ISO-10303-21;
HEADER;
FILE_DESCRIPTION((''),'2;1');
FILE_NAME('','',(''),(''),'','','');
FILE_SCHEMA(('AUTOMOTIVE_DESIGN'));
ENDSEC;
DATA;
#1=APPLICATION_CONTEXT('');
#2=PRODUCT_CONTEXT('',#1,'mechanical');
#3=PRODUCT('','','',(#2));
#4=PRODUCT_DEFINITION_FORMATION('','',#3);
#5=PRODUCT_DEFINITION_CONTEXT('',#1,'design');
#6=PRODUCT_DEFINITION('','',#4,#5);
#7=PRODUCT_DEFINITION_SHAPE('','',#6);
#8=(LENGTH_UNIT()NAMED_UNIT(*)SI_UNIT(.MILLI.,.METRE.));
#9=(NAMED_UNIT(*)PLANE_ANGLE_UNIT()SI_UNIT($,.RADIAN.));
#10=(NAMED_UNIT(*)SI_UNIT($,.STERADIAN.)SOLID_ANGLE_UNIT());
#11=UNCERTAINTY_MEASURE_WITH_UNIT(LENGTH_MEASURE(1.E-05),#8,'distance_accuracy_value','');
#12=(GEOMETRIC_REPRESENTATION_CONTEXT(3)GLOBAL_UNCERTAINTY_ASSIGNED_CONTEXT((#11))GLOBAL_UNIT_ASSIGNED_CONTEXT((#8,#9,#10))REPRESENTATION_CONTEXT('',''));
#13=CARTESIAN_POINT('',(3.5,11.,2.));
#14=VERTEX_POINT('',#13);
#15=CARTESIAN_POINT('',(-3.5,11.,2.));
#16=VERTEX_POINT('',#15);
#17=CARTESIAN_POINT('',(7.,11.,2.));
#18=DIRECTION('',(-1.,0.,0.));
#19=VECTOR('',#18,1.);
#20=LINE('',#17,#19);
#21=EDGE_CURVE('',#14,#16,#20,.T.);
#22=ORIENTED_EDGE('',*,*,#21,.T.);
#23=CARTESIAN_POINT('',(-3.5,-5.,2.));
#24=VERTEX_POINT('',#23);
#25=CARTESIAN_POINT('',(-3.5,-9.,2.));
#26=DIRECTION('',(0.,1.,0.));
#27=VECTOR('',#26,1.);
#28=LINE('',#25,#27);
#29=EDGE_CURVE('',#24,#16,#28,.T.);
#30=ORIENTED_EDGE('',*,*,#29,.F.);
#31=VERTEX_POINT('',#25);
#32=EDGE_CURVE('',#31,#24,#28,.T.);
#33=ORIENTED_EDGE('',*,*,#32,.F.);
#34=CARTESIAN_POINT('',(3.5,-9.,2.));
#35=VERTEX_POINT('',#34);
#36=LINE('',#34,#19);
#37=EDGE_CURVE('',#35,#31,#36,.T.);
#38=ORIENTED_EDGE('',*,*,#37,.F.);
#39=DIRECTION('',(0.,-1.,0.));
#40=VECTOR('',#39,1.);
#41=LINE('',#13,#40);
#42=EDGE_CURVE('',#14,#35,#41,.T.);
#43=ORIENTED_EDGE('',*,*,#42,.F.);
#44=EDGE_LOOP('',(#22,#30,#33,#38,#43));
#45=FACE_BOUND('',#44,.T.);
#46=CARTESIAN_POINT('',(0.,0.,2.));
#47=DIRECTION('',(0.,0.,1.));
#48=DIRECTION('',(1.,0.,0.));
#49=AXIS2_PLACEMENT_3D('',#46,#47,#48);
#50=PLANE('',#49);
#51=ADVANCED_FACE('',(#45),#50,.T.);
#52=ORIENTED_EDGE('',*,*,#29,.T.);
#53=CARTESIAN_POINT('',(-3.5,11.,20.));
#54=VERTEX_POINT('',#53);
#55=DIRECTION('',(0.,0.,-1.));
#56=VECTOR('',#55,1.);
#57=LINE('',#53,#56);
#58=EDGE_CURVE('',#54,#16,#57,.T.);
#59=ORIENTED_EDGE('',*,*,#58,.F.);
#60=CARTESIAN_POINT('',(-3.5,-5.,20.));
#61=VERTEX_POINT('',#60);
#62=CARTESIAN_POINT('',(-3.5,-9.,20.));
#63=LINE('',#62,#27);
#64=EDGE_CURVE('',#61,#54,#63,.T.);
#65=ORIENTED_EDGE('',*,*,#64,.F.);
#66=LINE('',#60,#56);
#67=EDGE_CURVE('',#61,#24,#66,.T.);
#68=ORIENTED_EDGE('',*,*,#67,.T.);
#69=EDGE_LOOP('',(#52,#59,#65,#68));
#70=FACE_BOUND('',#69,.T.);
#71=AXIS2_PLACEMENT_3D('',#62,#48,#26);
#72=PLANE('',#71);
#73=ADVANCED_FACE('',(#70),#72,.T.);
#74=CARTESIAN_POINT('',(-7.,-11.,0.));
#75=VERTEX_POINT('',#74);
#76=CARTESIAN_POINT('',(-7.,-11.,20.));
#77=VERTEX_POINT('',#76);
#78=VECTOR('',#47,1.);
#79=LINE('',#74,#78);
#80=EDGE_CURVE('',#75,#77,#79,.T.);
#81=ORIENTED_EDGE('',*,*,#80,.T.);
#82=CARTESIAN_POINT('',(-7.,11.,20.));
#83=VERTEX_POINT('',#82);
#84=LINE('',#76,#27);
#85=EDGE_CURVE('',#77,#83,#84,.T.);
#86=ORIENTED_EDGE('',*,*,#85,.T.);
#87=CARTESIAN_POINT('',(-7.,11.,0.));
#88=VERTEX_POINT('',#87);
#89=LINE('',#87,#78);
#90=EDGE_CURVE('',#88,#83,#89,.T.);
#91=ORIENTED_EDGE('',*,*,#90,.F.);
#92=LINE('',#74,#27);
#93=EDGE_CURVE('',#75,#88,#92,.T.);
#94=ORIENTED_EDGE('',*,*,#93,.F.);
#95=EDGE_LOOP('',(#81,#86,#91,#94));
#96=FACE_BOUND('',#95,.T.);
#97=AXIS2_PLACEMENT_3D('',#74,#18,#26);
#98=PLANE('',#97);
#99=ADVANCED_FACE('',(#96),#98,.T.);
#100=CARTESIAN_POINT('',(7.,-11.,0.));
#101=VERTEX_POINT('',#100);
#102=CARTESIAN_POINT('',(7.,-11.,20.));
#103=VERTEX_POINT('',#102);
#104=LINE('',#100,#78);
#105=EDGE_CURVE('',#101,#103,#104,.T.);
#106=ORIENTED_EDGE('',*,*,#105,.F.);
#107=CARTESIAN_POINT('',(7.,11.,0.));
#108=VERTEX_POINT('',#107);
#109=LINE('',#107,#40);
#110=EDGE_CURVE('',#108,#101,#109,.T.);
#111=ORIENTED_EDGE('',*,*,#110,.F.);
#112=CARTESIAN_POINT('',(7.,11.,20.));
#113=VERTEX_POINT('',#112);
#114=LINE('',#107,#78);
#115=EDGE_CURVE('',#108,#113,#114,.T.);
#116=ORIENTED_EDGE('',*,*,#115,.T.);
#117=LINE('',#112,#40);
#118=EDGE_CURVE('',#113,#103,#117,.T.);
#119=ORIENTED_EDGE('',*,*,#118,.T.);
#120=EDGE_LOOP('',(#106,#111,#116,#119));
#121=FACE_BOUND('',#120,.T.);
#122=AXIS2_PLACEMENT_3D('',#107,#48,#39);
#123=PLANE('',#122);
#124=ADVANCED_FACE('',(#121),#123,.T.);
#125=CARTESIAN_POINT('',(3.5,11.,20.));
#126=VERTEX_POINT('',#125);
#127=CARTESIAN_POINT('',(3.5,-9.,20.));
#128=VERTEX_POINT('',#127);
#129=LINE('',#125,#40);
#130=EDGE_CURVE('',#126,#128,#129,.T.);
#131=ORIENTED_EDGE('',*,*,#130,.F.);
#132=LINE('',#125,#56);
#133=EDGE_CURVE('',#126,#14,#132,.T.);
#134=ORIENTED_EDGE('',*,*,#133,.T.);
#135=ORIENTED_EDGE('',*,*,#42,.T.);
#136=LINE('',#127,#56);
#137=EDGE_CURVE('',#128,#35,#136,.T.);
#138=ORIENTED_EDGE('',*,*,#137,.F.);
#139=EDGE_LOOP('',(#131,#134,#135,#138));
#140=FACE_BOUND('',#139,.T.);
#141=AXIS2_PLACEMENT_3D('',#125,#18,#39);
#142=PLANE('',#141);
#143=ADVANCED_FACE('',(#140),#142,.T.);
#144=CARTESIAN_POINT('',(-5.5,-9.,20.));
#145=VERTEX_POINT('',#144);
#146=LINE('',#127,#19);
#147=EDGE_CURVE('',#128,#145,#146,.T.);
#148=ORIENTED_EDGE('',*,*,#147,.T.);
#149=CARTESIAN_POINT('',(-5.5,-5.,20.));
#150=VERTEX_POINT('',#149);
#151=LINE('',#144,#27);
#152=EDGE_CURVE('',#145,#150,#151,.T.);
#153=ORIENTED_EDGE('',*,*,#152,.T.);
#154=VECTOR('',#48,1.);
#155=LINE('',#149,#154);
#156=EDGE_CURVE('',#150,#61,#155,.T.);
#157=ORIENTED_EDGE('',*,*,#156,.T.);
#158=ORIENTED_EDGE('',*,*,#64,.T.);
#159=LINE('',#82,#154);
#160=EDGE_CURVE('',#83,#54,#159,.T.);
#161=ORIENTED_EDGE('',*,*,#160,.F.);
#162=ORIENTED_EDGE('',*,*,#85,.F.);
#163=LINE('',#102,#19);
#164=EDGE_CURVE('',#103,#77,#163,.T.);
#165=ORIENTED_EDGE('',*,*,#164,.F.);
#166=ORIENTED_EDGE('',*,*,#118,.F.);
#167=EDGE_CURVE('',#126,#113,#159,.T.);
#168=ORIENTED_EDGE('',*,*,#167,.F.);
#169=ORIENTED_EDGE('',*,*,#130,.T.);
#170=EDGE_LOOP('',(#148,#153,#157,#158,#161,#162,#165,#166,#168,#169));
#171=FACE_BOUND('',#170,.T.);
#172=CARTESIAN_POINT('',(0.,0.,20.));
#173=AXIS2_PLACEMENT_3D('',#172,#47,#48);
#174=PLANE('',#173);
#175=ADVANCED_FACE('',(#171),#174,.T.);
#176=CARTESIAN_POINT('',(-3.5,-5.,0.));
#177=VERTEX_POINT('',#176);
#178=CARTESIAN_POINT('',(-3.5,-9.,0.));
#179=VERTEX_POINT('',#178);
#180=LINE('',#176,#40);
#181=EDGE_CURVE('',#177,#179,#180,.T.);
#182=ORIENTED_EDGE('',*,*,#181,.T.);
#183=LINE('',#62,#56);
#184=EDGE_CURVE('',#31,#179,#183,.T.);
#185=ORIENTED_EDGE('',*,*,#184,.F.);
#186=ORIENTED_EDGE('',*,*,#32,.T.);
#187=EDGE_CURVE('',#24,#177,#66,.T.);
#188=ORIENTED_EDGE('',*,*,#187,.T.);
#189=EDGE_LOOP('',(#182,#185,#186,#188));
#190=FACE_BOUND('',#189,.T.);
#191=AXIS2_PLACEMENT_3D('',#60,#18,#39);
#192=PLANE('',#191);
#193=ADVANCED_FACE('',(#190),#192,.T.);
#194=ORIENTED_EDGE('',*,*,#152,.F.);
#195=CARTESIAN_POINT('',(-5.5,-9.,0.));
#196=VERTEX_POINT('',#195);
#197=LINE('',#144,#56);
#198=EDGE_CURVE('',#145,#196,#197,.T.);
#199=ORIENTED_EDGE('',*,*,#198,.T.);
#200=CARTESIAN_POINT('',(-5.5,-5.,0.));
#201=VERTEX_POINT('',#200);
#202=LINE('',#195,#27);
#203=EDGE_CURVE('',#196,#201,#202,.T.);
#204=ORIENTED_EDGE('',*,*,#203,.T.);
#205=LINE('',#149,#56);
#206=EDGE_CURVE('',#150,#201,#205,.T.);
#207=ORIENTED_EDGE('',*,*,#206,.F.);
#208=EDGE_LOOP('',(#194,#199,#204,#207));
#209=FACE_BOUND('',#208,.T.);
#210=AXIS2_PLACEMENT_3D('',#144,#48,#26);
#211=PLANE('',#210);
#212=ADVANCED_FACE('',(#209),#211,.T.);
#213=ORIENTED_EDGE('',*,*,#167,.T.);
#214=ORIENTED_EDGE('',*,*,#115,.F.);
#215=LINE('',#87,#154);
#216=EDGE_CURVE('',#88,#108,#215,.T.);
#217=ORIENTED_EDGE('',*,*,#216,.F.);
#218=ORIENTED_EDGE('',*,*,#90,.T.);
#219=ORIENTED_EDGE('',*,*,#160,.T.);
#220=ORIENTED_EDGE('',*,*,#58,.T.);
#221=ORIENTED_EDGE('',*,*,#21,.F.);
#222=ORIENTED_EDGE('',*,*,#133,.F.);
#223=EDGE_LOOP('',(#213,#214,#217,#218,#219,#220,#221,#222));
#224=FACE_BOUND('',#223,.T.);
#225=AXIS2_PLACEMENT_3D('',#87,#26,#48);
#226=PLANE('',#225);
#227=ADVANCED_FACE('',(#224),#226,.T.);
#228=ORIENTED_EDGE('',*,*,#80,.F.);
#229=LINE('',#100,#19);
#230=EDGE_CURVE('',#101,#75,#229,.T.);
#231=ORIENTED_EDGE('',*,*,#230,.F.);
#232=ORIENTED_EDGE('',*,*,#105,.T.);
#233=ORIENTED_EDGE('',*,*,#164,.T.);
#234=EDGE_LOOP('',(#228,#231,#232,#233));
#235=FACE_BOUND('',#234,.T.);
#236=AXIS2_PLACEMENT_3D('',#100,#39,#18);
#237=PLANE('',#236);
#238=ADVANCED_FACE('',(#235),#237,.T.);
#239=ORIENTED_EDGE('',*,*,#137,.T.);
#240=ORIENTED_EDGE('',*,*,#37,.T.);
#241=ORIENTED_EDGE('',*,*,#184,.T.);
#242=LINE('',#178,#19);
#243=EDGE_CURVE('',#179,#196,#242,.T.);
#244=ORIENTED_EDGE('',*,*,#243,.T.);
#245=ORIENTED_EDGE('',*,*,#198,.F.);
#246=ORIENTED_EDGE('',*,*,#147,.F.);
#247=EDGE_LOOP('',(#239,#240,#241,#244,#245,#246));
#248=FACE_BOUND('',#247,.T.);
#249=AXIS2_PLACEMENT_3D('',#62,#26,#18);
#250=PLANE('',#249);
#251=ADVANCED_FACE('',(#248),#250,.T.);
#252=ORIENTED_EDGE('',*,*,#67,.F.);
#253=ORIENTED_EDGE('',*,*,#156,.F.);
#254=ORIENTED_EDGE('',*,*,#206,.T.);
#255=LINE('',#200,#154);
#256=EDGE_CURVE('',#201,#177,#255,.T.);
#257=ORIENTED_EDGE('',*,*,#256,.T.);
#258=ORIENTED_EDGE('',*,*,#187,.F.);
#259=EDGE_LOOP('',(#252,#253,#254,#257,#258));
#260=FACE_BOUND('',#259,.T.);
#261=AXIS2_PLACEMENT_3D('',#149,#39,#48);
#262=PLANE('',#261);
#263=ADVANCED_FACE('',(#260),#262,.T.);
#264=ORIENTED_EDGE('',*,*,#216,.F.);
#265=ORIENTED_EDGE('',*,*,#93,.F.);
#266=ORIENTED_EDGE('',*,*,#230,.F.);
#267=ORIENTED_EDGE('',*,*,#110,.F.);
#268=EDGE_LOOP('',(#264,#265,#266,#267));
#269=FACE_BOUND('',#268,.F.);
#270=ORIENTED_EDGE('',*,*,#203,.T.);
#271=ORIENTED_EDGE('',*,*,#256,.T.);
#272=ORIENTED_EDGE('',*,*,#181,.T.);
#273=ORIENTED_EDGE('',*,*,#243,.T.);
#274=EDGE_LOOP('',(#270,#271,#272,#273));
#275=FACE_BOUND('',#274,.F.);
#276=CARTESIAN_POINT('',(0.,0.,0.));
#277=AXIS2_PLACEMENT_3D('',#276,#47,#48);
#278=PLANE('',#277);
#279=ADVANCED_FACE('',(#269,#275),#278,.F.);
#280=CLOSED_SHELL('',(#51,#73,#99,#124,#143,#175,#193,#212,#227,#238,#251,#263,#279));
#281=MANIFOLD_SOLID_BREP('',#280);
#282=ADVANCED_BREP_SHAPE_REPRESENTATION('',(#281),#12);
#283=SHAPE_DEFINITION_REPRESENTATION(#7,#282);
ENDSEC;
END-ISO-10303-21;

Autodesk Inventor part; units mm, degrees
ref_plane "YZ Plane" through (0, 0, 0) normal (1, 0, 0) x (0, 1, 0)
ref_plane "XZ Plane" through (0, 0, 0) normal (0, 1, 0) x (-1, 0, 0)
ref_plane "XY Plane" through (0, 0, 0) normal (0, 0, 1) x (1, 0, 0)
sketch "Эскиз1" plane through (0, 0, 0) normal (0, 0, 1) x (1, 0, 0)
  line L0 (7, -11) -> (-7, -11)
  line L1 (-7, -11) -> (-7, 11)
  line L2 (-7, 11) -> (7, 11)
  line L3 (7, 11) -> (7, -11)
  line L4 (7, -11) -> (-7, 11) construction
  line L5 (-7, -11) -> (7, 11) construction
  point P0 (0, 0)
  dimension "d0" = 14
  dimension "d1" = 22
extrude "Выдавливание1" add sketch "Эскиз1" along normal blind 20
sketch "Эскиз2" plane through (0, 0, 20) normal (0, 0, 1) x (1, 0, 0)
  line L0 (7, 11) -> (-7, 11) projected
  line L1 (-3.5, 11) -> (3.5, 11)
  line L2 (3.5, 11) -> (3.5, -9)
  line L3 (3.5, -9) -> (-3.5, -9)
  line L4 (-3.5, -9) -> (-3.5, 11)
  point P0 (0, 0)
  dimension "d4" = 20
  dimension "d5" = 7
  dimension "d6" = 3.5
extrude "Выдавливание2" cut sketch "Эскиз2" against normal blind 18
sketch "Эскиз3" plane through (0, 0, 20) normal (0, 0, 1) x (1, 0, 0)
  line L0 (3.5, -9) -> (-3.5, -9) projected
  line L1 (-3.5, -9) -> (-5.5, -9)
  line L2 (-5.5, -9) -> (-5.5, -5)
  line L3 (-5.5, -5) -> (-3.5, -5)
  line L4 (-3.5, -5) -> (-3.5, -9)
  point P0 (0, 0)
  dimension "d9" = 2
  dimension "d10" = 4
extrude "Выдавливание3" cut sketch "Эскиз3" against normal blind 20
properties part number "karmashek"
